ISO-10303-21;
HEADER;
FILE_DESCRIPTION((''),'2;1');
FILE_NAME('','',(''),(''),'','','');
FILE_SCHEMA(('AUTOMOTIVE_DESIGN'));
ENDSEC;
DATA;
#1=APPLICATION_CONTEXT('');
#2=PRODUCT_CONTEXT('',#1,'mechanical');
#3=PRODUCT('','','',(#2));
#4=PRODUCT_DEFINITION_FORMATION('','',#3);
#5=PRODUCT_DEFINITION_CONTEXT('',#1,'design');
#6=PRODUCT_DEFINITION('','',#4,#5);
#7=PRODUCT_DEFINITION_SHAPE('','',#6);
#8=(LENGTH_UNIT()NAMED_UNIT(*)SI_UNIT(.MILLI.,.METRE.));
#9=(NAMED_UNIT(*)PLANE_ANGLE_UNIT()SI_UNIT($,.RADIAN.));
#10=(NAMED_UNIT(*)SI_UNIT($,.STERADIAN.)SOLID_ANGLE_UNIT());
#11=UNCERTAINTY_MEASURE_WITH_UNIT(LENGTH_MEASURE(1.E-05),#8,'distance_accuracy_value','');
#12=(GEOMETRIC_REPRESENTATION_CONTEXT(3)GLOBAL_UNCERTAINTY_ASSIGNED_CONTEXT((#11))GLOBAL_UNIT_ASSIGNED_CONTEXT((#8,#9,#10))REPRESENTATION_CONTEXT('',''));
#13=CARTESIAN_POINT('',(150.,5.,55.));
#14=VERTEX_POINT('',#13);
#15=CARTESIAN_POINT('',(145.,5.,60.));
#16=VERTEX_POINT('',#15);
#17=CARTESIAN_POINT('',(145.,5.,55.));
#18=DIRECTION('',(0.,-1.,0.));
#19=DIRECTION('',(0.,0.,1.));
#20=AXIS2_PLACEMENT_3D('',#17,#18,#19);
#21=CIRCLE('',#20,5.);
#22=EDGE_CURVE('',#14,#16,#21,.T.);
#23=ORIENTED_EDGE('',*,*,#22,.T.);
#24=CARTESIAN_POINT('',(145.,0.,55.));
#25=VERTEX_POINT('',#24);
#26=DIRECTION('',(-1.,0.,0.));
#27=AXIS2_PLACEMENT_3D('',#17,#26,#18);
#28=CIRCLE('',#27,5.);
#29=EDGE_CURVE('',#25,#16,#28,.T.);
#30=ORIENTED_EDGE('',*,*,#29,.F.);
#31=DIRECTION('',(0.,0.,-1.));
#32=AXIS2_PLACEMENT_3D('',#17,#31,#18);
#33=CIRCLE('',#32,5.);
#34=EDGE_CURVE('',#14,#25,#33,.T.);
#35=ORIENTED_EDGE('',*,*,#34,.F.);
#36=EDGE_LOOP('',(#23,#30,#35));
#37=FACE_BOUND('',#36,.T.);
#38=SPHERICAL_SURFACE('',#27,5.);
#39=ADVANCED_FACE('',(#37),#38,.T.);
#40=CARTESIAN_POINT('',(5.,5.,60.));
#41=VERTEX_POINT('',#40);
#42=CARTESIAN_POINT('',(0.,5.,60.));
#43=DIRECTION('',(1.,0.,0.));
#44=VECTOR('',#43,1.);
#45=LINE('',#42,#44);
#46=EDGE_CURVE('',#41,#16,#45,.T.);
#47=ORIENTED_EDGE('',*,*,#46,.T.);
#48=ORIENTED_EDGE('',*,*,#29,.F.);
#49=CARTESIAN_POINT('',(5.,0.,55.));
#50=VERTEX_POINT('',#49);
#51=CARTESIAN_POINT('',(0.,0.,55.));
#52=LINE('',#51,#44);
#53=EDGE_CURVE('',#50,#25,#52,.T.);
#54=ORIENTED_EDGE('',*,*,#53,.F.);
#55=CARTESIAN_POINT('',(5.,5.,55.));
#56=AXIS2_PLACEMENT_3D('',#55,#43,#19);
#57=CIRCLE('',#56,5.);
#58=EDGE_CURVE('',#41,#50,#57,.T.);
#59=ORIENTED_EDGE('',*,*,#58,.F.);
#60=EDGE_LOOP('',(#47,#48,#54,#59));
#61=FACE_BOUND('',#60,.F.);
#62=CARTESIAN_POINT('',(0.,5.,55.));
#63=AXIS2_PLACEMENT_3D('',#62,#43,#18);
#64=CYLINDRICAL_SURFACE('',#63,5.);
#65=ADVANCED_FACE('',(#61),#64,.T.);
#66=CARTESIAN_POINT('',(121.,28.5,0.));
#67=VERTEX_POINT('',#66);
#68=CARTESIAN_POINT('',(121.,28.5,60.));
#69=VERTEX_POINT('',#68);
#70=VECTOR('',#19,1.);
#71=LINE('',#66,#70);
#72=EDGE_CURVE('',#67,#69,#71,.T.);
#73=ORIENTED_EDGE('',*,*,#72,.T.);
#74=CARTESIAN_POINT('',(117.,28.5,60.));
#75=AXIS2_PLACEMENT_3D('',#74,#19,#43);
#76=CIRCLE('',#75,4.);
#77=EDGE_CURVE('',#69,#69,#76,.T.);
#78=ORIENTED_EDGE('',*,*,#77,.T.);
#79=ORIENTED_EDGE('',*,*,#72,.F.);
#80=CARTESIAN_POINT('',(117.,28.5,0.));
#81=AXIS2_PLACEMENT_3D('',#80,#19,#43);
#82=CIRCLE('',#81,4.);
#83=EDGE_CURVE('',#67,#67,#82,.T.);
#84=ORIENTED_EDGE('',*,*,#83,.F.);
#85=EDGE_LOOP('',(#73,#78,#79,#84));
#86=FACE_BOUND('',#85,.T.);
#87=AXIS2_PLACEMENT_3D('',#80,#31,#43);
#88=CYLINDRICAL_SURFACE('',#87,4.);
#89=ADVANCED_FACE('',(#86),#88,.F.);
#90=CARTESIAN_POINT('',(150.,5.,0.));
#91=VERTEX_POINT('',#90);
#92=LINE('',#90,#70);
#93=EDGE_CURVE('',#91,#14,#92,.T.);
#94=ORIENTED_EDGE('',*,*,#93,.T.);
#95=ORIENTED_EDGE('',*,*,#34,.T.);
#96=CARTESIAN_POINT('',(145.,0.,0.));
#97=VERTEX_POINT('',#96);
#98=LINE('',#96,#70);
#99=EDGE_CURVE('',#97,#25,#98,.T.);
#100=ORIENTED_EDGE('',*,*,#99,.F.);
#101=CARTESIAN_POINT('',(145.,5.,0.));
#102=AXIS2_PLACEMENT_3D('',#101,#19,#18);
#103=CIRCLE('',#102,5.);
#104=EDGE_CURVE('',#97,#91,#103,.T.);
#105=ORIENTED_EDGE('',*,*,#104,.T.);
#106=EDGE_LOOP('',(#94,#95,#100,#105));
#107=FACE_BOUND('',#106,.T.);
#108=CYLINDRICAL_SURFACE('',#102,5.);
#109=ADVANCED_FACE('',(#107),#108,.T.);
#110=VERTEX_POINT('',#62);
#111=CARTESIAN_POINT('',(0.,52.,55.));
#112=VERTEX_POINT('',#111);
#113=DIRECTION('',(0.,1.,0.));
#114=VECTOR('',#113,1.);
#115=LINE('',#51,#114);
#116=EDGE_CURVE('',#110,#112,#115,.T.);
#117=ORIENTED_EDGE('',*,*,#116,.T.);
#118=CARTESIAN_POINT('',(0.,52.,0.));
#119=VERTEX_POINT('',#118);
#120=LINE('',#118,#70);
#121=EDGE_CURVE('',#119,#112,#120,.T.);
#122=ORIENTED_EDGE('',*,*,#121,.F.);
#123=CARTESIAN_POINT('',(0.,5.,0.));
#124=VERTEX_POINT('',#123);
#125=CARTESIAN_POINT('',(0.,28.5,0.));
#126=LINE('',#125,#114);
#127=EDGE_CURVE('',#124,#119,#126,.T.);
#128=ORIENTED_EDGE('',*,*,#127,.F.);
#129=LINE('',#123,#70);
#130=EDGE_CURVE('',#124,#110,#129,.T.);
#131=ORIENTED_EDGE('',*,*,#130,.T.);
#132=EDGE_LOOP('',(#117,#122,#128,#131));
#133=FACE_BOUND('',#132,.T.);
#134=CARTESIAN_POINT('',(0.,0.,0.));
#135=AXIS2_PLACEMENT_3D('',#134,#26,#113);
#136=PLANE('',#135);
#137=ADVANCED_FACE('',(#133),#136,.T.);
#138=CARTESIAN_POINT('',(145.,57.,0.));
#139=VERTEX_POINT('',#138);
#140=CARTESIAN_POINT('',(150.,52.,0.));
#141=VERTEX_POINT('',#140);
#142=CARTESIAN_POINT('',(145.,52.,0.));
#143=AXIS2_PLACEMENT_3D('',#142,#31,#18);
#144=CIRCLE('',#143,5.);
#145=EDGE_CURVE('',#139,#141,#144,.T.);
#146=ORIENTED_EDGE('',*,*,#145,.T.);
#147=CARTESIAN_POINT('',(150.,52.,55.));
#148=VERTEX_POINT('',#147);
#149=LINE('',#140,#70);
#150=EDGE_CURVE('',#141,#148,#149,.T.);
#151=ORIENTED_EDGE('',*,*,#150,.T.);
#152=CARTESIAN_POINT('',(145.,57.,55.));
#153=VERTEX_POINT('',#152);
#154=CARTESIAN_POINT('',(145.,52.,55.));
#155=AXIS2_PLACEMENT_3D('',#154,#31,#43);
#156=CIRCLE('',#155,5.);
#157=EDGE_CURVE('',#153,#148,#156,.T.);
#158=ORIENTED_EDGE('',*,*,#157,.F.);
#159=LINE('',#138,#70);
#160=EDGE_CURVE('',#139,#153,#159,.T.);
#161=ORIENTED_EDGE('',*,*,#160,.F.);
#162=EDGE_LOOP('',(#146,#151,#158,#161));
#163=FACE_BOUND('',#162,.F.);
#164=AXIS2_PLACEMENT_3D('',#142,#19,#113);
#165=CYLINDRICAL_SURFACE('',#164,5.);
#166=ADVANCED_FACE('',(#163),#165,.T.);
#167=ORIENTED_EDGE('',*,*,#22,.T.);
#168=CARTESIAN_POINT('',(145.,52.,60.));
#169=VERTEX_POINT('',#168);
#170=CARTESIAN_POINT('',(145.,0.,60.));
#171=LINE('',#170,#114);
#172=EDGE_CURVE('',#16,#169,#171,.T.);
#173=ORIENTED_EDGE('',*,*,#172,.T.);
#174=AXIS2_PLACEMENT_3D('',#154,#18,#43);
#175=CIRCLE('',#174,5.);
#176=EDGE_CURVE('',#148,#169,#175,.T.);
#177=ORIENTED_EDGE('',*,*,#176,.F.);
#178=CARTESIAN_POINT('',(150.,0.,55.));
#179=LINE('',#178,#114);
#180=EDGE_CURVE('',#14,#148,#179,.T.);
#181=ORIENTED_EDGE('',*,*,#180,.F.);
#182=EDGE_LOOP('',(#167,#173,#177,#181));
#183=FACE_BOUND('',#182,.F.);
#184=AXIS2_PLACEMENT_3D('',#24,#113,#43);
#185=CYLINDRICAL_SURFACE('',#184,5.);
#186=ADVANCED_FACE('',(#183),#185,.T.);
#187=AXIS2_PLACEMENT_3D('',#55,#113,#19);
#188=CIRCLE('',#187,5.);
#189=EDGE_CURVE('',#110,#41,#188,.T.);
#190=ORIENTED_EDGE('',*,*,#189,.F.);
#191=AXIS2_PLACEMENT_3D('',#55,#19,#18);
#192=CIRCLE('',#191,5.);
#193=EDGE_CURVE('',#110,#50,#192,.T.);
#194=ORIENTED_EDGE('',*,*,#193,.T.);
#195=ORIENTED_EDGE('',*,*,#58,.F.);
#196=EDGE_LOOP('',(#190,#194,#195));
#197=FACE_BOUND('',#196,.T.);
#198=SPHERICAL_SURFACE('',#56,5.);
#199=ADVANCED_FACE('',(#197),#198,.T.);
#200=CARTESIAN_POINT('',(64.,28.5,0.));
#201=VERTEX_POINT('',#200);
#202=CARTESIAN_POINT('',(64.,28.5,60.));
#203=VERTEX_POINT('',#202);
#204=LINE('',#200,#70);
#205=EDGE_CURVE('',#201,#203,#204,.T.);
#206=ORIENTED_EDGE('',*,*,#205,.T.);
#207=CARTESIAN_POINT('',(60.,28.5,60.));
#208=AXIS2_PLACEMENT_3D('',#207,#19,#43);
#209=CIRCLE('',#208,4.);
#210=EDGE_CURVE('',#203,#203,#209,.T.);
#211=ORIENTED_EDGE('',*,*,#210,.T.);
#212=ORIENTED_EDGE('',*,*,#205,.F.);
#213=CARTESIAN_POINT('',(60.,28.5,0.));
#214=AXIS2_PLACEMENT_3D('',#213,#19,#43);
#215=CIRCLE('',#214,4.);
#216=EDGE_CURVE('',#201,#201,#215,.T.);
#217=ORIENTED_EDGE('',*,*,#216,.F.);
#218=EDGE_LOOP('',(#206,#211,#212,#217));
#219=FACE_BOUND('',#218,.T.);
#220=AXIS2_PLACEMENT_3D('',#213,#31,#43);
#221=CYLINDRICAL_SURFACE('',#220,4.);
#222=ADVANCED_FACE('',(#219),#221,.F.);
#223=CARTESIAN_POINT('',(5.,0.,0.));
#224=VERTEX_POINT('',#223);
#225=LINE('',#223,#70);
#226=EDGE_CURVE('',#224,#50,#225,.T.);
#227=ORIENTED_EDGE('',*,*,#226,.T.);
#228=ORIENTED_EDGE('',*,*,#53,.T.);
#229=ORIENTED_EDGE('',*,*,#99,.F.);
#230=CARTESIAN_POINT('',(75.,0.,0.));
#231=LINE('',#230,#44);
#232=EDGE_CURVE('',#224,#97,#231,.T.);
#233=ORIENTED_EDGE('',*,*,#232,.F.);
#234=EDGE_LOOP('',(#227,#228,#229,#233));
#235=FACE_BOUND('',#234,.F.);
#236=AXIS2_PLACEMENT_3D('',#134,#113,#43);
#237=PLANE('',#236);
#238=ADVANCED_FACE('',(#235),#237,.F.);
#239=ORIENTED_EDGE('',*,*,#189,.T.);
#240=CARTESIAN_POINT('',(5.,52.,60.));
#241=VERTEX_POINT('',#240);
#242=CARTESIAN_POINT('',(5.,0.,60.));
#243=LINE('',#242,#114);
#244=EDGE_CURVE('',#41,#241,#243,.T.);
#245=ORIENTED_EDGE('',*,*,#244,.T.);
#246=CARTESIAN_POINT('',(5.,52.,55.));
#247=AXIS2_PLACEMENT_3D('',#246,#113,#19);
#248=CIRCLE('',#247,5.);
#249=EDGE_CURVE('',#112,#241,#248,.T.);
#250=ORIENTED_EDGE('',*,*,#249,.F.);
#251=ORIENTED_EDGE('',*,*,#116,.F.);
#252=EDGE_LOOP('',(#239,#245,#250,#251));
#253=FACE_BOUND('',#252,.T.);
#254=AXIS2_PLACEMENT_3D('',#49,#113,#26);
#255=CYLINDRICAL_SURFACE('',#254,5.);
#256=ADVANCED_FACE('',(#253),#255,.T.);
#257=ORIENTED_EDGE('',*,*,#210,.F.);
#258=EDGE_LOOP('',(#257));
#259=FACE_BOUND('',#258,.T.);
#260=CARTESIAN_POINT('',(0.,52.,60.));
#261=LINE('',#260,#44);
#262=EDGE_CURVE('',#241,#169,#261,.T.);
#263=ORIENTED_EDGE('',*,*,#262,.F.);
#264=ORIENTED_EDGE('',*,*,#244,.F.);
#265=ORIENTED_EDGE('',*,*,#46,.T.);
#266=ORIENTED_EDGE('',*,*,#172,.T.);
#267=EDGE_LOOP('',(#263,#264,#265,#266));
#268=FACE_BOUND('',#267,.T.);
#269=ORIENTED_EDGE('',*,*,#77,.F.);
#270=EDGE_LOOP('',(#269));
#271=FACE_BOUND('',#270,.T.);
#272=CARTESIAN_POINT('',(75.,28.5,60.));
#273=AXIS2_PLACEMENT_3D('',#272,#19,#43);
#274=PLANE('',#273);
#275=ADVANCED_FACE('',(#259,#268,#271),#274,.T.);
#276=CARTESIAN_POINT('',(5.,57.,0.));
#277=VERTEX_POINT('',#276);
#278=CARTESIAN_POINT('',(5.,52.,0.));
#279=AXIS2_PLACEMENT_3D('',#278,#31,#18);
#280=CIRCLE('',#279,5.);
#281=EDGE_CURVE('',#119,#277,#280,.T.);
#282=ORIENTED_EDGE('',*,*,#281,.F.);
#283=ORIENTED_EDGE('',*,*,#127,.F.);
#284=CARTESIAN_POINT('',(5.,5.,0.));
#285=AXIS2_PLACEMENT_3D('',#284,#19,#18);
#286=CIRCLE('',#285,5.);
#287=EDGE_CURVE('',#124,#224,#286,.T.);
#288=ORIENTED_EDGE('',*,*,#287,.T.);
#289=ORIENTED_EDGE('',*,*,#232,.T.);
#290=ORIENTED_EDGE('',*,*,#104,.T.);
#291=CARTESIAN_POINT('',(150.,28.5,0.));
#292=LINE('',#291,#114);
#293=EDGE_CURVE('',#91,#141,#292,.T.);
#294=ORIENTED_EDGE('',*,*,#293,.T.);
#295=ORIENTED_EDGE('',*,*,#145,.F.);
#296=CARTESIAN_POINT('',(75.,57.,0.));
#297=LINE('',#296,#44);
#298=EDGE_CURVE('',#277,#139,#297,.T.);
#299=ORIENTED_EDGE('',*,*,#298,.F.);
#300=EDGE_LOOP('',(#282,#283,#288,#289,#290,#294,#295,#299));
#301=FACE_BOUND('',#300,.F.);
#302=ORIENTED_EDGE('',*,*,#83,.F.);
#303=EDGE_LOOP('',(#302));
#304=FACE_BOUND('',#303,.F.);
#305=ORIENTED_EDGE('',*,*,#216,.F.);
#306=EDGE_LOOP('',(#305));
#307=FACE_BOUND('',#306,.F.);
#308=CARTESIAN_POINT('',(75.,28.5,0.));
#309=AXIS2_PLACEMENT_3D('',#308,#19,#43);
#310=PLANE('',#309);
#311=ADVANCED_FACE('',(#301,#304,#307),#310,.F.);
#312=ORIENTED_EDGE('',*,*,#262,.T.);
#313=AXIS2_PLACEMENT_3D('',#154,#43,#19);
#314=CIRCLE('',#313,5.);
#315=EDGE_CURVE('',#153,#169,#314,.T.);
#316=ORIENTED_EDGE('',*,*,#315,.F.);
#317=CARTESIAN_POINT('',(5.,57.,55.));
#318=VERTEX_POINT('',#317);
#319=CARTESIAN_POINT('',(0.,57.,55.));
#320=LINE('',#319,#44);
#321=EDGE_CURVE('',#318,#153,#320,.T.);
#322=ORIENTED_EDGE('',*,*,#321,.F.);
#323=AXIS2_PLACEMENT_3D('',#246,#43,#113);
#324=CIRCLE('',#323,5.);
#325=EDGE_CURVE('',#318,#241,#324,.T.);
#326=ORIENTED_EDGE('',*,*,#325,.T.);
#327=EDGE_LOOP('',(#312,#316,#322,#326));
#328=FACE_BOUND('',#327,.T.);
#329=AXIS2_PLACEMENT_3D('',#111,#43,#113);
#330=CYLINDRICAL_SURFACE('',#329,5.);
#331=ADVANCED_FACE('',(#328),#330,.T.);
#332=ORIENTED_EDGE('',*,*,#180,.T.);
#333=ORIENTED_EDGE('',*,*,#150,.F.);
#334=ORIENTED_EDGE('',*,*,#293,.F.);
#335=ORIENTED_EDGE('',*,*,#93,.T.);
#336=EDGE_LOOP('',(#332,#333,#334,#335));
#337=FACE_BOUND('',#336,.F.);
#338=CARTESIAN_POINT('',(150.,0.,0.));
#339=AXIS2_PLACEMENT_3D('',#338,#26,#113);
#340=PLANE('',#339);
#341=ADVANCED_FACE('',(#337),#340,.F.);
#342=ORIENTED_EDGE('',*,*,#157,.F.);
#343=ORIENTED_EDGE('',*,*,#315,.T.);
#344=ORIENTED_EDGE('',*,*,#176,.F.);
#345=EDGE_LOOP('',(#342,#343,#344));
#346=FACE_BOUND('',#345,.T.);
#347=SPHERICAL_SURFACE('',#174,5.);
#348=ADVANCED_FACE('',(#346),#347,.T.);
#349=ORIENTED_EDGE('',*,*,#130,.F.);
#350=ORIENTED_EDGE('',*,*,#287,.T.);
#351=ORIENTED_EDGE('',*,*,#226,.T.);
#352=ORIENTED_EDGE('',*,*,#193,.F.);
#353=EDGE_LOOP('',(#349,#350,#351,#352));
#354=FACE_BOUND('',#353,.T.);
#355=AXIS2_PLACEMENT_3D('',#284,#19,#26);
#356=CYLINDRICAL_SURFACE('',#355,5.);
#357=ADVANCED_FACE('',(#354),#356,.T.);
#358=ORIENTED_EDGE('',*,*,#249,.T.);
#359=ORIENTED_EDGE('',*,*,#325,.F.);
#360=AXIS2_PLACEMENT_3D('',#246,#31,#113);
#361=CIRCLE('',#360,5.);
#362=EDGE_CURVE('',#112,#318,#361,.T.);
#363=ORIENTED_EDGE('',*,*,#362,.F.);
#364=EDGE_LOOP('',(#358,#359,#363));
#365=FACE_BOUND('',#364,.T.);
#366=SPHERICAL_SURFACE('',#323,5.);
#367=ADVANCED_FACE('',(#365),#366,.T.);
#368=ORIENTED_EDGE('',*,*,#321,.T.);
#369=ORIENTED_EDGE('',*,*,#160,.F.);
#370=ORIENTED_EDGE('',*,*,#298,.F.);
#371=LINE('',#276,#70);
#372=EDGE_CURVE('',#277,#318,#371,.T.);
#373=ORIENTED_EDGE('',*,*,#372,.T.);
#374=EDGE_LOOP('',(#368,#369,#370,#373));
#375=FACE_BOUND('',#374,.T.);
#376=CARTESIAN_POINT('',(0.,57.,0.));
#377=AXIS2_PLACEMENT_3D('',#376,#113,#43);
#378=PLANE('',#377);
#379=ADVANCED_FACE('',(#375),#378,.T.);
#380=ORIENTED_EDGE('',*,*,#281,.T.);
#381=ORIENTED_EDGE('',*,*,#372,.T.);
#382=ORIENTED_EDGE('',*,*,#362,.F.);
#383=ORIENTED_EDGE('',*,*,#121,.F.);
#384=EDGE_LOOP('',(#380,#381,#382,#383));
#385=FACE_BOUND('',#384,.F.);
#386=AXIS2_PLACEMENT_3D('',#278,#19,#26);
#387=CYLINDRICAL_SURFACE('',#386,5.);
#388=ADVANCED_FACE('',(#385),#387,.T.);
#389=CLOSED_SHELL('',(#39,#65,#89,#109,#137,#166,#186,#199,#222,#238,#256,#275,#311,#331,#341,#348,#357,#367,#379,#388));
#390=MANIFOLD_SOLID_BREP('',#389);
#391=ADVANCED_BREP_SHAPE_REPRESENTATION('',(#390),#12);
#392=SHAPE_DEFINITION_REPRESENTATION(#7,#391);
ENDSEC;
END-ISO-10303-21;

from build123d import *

# Parameters (mm, degrees)
F0_W     = 150
F0_H     = 57
F0_R     = 4
F1_DEPTH = 60
F2_R     = 5


with BuildPart() as f1:
    # F0 (on Top) → F1 (new body)
    with BuildSketch(Plane.XY):
        with Locations((75, 28.5)):
            Rectangle(F0_W, F0_H)
        with Locations((60, 28.5)):
            Circle(F0_R, mode=Mode.SUBTRACT)
        with Locations((117, 28.5)):
            Circle(F0_R, mode=Mode.SUBTRACT)
    extrude(amount=F1_DEPTH)

    # F2
    f2_edges = [f1.edges().sort_by_distance(p)[0] for p in [
        (75, 0, 60),
        (150, 0, 30),
        (150, 28.5, 60),
        (150, 57, 30),
        (75, 57, 60),
        (0, 57, 30),
        (0, 28.5, 60),
        (0, 0, 30),
    ]]
    fillet(f2_edges, radius=F2_R)


solid = f1.part
